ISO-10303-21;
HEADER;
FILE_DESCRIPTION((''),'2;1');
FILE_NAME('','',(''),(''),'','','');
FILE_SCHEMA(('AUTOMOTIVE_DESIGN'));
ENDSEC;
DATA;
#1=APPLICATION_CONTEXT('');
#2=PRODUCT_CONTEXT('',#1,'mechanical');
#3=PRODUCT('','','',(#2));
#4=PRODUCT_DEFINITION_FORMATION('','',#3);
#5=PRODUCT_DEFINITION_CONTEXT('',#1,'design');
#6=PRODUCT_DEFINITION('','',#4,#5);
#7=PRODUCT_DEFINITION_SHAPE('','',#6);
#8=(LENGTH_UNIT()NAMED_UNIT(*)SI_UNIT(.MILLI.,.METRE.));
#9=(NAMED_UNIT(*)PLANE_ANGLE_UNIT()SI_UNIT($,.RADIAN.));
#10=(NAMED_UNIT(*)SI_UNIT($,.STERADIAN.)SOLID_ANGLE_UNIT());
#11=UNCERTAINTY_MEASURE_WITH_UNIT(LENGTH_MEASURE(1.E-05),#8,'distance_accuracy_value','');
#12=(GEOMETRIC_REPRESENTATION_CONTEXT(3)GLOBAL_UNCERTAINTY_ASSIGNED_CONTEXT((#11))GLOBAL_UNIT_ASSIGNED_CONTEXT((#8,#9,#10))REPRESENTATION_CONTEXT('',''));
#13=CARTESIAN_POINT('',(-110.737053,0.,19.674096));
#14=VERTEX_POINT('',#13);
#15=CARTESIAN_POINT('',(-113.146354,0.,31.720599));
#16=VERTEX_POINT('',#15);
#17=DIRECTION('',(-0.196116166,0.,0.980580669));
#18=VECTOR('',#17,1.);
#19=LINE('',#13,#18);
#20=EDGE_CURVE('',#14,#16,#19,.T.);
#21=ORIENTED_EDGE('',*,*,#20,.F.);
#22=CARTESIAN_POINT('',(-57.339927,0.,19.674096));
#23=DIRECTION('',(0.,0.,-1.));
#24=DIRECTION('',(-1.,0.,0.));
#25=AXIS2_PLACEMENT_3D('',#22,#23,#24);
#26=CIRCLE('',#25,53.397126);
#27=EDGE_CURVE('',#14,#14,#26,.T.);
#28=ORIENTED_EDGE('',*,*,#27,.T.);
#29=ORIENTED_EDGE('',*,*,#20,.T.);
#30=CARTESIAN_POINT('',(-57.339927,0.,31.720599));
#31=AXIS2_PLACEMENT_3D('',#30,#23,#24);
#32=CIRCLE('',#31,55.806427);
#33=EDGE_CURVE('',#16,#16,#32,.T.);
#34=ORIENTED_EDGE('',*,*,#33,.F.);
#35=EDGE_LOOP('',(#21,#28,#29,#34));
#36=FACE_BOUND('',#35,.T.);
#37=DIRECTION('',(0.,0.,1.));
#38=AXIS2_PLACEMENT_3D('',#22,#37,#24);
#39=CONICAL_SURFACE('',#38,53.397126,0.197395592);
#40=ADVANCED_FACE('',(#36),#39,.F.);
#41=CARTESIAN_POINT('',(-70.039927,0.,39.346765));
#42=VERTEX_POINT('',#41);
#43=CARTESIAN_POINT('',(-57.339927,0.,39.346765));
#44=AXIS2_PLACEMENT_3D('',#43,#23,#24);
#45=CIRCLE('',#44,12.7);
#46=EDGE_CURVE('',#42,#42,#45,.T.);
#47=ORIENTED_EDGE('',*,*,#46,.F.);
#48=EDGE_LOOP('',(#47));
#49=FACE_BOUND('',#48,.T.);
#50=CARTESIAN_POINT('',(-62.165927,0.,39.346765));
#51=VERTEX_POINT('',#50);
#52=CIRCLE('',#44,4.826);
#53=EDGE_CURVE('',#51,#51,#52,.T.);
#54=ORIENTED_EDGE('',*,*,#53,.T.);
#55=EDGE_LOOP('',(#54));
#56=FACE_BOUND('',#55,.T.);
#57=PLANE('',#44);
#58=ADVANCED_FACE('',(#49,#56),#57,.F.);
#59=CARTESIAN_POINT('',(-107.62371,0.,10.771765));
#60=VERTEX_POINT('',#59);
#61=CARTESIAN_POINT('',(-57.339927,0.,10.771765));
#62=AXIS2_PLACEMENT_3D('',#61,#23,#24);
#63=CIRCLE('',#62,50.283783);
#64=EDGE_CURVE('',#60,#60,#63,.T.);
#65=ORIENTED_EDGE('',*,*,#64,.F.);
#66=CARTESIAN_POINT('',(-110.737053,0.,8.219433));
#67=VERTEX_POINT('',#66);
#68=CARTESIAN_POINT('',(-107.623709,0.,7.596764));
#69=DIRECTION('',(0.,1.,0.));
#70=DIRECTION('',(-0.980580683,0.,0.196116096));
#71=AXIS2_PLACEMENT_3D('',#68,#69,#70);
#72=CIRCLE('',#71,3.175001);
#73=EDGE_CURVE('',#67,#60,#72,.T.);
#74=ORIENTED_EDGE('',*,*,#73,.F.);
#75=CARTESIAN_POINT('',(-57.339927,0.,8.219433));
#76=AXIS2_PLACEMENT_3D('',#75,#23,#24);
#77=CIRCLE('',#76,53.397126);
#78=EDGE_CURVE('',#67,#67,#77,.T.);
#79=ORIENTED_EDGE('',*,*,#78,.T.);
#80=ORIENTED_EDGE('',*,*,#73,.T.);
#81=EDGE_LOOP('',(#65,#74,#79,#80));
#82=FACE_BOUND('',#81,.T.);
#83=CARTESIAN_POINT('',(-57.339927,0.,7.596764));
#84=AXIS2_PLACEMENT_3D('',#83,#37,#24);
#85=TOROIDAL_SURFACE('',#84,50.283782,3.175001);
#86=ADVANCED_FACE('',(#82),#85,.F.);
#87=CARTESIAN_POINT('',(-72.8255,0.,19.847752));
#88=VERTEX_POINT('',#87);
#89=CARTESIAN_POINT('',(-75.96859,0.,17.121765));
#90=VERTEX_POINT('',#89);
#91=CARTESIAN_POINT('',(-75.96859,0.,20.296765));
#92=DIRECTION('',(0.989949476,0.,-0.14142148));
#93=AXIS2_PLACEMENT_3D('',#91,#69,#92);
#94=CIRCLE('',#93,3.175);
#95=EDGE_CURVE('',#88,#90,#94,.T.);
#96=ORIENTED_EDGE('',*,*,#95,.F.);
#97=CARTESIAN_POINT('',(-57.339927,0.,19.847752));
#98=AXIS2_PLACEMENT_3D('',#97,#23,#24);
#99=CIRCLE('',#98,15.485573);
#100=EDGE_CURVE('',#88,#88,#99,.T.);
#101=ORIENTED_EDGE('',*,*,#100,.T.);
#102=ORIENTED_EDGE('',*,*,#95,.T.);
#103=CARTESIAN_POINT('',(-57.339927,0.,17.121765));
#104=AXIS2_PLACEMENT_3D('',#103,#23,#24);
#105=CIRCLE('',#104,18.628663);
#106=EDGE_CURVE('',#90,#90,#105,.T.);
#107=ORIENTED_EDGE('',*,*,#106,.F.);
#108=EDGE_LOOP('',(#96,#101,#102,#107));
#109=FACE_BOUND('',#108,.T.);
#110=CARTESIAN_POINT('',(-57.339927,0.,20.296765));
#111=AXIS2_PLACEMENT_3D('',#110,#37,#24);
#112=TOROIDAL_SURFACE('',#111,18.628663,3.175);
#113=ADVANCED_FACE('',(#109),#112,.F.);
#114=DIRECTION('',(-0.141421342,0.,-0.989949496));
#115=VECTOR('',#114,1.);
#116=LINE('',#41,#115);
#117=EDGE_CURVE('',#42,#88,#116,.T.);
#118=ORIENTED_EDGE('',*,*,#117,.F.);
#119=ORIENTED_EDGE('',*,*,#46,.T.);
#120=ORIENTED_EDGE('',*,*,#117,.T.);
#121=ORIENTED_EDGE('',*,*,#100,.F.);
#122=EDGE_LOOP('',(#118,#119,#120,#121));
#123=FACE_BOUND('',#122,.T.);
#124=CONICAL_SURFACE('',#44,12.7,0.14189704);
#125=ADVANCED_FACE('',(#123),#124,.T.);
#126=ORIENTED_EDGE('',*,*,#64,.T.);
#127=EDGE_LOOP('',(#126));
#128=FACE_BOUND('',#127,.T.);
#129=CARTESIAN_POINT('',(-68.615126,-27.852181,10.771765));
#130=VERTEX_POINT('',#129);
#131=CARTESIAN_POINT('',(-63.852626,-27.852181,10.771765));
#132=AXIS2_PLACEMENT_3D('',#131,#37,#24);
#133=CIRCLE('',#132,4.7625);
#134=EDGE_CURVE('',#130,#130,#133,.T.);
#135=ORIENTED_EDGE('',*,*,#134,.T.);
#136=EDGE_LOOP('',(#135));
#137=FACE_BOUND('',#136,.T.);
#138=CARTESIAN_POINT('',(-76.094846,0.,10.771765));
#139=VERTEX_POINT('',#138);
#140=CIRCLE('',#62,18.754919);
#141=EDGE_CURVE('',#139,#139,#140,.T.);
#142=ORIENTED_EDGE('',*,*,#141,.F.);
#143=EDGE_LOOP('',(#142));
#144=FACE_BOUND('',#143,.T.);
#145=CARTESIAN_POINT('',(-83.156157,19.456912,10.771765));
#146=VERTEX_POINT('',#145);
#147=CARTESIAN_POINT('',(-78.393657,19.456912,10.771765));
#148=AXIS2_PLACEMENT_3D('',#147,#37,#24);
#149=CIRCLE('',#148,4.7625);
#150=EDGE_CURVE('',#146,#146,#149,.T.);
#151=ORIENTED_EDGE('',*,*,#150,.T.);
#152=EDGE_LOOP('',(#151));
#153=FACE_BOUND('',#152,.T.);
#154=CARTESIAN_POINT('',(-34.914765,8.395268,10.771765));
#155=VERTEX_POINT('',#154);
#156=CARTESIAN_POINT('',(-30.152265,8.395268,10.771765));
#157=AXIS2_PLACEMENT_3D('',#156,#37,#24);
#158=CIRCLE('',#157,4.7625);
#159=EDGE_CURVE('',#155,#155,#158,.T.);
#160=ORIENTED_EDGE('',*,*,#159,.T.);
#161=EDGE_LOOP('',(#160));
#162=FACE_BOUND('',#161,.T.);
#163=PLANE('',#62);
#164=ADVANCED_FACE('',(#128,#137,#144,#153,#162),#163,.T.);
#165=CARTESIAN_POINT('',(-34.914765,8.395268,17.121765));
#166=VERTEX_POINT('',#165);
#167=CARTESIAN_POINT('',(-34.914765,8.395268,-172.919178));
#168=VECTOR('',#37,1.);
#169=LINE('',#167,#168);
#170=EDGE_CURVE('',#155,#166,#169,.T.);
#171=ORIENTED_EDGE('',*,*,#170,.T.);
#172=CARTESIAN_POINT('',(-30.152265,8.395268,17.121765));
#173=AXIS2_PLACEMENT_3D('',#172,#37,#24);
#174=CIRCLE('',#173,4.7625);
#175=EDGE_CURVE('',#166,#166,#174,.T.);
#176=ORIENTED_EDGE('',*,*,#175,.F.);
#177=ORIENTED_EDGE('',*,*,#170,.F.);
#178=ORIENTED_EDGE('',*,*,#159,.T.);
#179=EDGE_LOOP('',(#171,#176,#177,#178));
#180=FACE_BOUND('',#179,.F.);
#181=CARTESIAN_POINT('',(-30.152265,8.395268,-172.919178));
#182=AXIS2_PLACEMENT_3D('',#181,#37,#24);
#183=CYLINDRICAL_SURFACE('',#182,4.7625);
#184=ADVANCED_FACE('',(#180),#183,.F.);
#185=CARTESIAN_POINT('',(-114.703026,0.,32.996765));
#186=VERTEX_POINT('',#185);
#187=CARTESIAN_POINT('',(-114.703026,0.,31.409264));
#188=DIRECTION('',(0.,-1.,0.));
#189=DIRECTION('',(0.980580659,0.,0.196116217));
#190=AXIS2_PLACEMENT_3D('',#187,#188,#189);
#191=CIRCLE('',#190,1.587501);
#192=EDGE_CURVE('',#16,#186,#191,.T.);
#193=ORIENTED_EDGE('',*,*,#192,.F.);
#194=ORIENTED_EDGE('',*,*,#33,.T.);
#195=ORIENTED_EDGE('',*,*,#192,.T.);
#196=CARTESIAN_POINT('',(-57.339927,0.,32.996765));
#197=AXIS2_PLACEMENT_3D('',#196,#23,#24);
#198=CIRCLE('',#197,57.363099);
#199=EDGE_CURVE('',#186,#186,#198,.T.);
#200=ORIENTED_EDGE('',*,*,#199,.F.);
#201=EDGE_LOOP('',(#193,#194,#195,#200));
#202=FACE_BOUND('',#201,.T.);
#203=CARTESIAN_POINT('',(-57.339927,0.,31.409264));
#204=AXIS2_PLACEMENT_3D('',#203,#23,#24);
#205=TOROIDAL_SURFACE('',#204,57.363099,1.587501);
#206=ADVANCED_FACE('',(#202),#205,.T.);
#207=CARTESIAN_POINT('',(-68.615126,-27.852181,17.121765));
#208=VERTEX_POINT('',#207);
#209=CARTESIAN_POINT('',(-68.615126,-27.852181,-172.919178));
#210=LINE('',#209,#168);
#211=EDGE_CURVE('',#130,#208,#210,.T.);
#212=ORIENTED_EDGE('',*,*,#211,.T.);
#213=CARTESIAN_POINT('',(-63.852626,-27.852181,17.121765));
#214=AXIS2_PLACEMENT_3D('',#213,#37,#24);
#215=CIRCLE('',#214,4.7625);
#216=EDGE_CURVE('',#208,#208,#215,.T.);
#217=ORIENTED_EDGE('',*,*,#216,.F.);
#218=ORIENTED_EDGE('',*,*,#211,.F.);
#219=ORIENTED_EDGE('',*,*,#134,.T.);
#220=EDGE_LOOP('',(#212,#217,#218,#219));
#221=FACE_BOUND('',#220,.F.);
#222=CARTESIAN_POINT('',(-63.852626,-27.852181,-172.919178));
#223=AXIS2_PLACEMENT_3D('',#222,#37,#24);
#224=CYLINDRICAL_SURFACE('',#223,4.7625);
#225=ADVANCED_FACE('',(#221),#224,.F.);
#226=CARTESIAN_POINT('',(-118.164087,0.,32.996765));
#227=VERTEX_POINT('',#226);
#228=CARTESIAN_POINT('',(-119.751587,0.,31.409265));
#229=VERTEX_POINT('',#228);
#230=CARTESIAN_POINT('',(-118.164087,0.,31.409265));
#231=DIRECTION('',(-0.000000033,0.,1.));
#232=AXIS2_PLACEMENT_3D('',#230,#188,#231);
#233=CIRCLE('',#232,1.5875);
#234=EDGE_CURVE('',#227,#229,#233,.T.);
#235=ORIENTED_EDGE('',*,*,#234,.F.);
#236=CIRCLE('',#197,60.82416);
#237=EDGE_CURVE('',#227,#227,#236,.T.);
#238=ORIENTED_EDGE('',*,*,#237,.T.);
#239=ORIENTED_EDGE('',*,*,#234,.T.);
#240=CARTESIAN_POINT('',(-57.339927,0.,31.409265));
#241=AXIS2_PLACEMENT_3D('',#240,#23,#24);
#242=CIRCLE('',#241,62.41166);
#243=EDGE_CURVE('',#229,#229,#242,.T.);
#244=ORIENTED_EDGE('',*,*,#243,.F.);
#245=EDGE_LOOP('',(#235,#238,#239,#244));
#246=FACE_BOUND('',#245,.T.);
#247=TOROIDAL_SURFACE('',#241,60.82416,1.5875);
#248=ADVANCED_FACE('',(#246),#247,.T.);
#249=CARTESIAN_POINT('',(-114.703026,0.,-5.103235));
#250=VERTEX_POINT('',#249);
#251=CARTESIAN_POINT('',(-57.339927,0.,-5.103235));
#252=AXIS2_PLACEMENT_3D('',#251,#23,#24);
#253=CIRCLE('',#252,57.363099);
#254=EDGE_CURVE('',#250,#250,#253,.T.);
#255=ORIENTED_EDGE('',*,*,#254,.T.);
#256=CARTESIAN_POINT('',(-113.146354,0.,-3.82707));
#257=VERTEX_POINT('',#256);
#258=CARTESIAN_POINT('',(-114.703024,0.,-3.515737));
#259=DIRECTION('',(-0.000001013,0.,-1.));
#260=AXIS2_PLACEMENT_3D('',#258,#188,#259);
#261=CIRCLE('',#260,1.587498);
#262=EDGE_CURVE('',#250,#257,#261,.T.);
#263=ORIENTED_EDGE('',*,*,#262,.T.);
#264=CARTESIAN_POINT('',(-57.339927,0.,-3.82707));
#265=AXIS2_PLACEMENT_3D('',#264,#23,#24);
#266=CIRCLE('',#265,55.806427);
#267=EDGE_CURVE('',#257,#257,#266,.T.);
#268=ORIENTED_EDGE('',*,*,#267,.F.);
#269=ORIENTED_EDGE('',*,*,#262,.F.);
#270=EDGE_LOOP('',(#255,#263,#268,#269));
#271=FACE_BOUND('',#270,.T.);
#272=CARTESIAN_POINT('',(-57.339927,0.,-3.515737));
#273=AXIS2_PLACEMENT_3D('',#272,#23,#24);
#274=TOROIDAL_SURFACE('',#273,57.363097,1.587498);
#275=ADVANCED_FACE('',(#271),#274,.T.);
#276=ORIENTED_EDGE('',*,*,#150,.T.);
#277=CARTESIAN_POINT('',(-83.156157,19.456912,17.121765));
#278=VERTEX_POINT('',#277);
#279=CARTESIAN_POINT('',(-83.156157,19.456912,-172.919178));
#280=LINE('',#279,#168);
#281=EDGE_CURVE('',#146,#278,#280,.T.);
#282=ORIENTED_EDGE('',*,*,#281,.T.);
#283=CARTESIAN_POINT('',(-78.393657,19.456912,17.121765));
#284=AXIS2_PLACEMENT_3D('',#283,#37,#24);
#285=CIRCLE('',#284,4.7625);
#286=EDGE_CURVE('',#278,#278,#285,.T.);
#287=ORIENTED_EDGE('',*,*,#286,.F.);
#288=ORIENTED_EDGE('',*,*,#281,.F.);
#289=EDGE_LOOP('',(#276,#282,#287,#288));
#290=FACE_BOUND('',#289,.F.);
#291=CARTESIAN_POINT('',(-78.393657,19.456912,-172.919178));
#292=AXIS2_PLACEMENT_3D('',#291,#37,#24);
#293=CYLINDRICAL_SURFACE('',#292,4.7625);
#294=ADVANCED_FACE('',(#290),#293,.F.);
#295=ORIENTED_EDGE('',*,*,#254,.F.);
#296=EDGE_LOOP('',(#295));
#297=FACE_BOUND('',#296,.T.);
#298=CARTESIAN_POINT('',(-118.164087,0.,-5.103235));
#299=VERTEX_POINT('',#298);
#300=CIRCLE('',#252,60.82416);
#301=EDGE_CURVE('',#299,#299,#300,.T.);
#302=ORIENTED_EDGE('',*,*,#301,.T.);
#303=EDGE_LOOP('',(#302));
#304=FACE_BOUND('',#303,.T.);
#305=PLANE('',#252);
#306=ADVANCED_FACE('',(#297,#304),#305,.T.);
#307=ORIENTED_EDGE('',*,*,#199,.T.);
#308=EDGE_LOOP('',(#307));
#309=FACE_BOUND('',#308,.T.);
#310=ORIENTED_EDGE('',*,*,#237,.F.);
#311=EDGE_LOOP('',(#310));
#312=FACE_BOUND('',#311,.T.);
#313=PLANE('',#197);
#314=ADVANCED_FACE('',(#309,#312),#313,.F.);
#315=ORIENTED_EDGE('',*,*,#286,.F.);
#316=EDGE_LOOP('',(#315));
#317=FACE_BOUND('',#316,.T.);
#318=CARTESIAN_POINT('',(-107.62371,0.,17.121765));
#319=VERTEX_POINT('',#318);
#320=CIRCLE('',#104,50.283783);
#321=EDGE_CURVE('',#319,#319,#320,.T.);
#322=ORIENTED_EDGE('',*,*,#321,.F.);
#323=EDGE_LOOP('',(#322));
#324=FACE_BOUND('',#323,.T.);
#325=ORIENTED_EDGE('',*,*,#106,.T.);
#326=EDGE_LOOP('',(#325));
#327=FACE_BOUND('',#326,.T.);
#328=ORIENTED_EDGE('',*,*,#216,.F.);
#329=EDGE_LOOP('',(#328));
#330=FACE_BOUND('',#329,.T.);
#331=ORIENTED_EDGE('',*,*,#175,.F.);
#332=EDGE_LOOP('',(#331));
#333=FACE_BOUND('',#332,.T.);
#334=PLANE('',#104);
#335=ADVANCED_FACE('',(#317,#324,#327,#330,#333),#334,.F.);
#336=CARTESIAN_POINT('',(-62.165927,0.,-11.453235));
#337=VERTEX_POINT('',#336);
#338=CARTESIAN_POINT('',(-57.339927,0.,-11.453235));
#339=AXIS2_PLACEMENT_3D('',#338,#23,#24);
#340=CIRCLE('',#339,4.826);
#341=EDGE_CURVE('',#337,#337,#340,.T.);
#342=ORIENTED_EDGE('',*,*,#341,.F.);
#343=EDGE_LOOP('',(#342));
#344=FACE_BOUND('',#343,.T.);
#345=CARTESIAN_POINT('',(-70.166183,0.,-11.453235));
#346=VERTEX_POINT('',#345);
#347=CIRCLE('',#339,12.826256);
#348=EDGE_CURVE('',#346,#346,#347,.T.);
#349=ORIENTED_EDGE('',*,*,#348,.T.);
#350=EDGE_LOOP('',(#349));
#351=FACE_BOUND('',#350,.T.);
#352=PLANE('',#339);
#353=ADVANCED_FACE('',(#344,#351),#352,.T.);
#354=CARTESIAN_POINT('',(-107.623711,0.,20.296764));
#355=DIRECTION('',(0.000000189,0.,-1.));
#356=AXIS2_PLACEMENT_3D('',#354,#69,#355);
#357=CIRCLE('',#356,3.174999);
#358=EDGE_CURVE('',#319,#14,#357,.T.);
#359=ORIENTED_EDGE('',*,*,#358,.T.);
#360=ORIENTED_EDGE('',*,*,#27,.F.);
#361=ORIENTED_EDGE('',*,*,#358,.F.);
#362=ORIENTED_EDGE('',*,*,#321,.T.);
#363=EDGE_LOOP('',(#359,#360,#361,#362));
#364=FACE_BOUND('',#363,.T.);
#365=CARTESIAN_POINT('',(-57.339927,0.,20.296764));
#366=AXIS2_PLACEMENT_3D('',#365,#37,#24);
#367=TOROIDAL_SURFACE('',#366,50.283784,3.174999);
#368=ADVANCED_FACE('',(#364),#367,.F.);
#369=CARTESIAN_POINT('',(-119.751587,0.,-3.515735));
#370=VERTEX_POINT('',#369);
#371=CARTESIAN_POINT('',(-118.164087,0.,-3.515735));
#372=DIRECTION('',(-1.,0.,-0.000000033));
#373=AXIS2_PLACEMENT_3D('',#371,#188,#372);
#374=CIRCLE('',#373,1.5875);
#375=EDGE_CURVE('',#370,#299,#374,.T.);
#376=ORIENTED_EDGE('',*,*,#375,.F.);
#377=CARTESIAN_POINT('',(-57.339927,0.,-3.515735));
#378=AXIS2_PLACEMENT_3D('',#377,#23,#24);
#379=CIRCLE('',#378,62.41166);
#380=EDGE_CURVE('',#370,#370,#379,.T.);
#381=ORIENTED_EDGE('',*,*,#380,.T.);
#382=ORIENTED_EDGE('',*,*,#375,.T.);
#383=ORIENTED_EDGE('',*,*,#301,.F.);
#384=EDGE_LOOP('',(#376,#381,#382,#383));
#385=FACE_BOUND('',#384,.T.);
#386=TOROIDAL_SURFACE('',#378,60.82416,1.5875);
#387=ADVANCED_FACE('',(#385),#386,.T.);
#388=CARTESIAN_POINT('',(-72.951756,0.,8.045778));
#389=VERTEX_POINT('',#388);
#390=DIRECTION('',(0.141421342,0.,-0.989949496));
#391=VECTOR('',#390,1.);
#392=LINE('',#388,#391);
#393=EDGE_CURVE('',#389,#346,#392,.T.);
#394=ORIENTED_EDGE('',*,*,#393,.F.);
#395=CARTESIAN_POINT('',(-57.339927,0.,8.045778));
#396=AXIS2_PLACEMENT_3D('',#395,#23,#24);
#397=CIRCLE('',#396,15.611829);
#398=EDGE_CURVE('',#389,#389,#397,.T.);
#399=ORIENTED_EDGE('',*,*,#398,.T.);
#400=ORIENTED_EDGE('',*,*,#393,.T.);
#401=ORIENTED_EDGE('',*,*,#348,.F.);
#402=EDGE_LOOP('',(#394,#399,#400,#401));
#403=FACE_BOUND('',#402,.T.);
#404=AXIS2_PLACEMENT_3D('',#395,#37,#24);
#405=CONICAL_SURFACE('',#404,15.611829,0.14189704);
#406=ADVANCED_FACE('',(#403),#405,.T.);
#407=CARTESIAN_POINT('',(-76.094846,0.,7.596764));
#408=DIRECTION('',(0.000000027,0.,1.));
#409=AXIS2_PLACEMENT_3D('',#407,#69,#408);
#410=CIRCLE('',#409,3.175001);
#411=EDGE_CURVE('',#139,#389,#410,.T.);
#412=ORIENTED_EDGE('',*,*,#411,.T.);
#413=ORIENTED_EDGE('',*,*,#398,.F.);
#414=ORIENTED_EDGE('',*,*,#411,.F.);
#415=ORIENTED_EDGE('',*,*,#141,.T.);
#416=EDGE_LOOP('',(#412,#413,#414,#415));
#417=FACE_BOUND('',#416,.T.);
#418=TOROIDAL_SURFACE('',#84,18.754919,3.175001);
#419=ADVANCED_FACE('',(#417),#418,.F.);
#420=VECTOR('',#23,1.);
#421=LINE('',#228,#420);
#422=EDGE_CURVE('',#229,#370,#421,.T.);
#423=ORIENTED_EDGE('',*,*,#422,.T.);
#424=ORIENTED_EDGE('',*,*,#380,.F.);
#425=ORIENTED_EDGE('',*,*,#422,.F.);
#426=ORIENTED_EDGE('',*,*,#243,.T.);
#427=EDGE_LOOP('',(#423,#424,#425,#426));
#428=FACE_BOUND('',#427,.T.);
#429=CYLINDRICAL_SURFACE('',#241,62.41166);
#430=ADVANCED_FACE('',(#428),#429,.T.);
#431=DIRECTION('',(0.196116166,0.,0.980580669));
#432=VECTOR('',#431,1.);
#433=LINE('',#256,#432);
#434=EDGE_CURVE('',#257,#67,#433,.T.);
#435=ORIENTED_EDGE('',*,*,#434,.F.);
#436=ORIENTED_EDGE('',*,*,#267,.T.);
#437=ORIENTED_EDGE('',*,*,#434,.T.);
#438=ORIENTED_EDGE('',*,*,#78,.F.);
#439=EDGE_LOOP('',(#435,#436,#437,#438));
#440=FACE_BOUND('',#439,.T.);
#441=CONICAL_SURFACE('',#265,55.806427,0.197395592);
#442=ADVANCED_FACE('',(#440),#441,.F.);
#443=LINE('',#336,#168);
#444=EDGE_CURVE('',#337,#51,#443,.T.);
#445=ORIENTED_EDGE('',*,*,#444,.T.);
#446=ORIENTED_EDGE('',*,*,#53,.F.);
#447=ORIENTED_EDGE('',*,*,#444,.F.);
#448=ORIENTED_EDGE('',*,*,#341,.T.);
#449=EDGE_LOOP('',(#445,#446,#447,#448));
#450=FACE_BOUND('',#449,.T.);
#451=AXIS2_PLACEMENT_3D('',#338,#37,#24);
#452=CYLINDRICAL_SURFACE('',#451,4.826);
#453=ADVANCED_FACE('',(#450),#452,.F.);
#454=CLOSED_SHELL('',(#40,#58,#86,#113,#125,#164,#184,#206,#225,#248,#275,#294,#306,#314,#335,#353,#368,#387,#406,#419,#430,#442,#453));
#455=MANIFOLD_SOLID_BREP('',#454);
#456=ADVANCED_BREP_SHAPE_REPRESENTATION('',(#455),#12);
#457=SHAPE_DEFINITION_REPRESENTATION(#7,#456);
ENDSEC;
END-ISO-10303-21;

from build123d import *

# Parameters (mm, degrees)
F3_D = 9.525
F4_D = 9.525
F5_D = 9.525


with BuildPart() as f1:
    # F0 (on Front) → F1 (revolve)
    with BuildSketch(Plane.XZ):
        with BuildLine():
            ThreePointArc((-118.164087, 32.996765), (-119.286619, 32.531797), (-119.751587, 31.409265))
            Line((-119.751587, 31.409265), (-119.751587, 13.946765))
            Line((-119.751587, 13.946765), (-119.751587, -3.515735))
            ThreePointArc((-119.751587, -3.515735), (-119.286619, -4.638267), (-118.164087, -5.103235))
            Line((-118.164087, -5.103235), (-114.703026, -5.103235))
            ThreePointArc((-114.703026, -5.103235), (-113.696568, -4.743416), (-113.146354, -3.82707))
            Line((-113.146354, -3.82707), (-110.737053, 8.219433))
            ThreePointArc((-110.737053, 8.219433), (-109.636624, 10.052126), (-107.62371, 10.771765))
            Line((-107.62371, 10.771765), (-76.094846, 10.771765))
            ThreePointArc((-76.094846, 10.771765), (-74.01458, 9.995331), (-72.951756, 8.045778))
            Line((-72.951756, 8.045778), (-70.166183, -11.453235))
            Line((-70.166183, -11.453235), (-62.165927, -11.453235))
            Line((-62.165927, -11.453235), (-62.165927, 13.946765))
            Line((-62.165927, 13.946765), (-62.165927, 39.346765))
            Line((-62.165927, 39.346765), (-70.039927, 39.346765))
            Line((-70.039927, 39.346765), (-72.8255, 19.847752))
            ThreePointArc((-72.8255, 19.847752), (-73.888325, 17.898198), (-75.96859, 17.121765))
            Line((-75.96859, 17.121765), (-107.62371, 17.121765))
            ThreePointArc((-107.62371, 17.121765), (-109.636624, 17.841403), (-110.737053, 19.674096))
            Line((-110.737053, 19.674096), (-113.146354, 31.720599))
            ThreePointArc((-113.146354, 31.720599), (-113.696568, 32.636945), (-114.703026, 32.996765))
            Line((-114.703026, 32.996765), (-118.164087, 32.996765))
        make_face()
    revolve(axis=Axis((-57.339927, 0, 26.656945), (0, 0, -1)))

    # F3 (through all)
    with Locations(Plane(origin=(0, 0, 10.771765), x_dir=(1, 0, 0), z_dir=(0, 0, -1))):
        with Locations((-78.393657, -19.456912)):
            Hole(F3_D / 2)

    # F4 (through all)
    with Locations(Plane(origin=(0, 0, 10.771765), x_dir=(1, 0, 0), z_dir=(0, 0, -1))):
        with Locations((-30.152265, -8.395268)):
            Hole(F4_D / 2)

    # F5 (through all)
    with Locations(Plane(origin=(0, 0, 10.771765), x_dir=(1, 0, 0), z_dir=(0, 0, -1))):
        with Locations((-63.852626, 27.852181)):
            Hole(F5_D / 2)


solid = f1.part
